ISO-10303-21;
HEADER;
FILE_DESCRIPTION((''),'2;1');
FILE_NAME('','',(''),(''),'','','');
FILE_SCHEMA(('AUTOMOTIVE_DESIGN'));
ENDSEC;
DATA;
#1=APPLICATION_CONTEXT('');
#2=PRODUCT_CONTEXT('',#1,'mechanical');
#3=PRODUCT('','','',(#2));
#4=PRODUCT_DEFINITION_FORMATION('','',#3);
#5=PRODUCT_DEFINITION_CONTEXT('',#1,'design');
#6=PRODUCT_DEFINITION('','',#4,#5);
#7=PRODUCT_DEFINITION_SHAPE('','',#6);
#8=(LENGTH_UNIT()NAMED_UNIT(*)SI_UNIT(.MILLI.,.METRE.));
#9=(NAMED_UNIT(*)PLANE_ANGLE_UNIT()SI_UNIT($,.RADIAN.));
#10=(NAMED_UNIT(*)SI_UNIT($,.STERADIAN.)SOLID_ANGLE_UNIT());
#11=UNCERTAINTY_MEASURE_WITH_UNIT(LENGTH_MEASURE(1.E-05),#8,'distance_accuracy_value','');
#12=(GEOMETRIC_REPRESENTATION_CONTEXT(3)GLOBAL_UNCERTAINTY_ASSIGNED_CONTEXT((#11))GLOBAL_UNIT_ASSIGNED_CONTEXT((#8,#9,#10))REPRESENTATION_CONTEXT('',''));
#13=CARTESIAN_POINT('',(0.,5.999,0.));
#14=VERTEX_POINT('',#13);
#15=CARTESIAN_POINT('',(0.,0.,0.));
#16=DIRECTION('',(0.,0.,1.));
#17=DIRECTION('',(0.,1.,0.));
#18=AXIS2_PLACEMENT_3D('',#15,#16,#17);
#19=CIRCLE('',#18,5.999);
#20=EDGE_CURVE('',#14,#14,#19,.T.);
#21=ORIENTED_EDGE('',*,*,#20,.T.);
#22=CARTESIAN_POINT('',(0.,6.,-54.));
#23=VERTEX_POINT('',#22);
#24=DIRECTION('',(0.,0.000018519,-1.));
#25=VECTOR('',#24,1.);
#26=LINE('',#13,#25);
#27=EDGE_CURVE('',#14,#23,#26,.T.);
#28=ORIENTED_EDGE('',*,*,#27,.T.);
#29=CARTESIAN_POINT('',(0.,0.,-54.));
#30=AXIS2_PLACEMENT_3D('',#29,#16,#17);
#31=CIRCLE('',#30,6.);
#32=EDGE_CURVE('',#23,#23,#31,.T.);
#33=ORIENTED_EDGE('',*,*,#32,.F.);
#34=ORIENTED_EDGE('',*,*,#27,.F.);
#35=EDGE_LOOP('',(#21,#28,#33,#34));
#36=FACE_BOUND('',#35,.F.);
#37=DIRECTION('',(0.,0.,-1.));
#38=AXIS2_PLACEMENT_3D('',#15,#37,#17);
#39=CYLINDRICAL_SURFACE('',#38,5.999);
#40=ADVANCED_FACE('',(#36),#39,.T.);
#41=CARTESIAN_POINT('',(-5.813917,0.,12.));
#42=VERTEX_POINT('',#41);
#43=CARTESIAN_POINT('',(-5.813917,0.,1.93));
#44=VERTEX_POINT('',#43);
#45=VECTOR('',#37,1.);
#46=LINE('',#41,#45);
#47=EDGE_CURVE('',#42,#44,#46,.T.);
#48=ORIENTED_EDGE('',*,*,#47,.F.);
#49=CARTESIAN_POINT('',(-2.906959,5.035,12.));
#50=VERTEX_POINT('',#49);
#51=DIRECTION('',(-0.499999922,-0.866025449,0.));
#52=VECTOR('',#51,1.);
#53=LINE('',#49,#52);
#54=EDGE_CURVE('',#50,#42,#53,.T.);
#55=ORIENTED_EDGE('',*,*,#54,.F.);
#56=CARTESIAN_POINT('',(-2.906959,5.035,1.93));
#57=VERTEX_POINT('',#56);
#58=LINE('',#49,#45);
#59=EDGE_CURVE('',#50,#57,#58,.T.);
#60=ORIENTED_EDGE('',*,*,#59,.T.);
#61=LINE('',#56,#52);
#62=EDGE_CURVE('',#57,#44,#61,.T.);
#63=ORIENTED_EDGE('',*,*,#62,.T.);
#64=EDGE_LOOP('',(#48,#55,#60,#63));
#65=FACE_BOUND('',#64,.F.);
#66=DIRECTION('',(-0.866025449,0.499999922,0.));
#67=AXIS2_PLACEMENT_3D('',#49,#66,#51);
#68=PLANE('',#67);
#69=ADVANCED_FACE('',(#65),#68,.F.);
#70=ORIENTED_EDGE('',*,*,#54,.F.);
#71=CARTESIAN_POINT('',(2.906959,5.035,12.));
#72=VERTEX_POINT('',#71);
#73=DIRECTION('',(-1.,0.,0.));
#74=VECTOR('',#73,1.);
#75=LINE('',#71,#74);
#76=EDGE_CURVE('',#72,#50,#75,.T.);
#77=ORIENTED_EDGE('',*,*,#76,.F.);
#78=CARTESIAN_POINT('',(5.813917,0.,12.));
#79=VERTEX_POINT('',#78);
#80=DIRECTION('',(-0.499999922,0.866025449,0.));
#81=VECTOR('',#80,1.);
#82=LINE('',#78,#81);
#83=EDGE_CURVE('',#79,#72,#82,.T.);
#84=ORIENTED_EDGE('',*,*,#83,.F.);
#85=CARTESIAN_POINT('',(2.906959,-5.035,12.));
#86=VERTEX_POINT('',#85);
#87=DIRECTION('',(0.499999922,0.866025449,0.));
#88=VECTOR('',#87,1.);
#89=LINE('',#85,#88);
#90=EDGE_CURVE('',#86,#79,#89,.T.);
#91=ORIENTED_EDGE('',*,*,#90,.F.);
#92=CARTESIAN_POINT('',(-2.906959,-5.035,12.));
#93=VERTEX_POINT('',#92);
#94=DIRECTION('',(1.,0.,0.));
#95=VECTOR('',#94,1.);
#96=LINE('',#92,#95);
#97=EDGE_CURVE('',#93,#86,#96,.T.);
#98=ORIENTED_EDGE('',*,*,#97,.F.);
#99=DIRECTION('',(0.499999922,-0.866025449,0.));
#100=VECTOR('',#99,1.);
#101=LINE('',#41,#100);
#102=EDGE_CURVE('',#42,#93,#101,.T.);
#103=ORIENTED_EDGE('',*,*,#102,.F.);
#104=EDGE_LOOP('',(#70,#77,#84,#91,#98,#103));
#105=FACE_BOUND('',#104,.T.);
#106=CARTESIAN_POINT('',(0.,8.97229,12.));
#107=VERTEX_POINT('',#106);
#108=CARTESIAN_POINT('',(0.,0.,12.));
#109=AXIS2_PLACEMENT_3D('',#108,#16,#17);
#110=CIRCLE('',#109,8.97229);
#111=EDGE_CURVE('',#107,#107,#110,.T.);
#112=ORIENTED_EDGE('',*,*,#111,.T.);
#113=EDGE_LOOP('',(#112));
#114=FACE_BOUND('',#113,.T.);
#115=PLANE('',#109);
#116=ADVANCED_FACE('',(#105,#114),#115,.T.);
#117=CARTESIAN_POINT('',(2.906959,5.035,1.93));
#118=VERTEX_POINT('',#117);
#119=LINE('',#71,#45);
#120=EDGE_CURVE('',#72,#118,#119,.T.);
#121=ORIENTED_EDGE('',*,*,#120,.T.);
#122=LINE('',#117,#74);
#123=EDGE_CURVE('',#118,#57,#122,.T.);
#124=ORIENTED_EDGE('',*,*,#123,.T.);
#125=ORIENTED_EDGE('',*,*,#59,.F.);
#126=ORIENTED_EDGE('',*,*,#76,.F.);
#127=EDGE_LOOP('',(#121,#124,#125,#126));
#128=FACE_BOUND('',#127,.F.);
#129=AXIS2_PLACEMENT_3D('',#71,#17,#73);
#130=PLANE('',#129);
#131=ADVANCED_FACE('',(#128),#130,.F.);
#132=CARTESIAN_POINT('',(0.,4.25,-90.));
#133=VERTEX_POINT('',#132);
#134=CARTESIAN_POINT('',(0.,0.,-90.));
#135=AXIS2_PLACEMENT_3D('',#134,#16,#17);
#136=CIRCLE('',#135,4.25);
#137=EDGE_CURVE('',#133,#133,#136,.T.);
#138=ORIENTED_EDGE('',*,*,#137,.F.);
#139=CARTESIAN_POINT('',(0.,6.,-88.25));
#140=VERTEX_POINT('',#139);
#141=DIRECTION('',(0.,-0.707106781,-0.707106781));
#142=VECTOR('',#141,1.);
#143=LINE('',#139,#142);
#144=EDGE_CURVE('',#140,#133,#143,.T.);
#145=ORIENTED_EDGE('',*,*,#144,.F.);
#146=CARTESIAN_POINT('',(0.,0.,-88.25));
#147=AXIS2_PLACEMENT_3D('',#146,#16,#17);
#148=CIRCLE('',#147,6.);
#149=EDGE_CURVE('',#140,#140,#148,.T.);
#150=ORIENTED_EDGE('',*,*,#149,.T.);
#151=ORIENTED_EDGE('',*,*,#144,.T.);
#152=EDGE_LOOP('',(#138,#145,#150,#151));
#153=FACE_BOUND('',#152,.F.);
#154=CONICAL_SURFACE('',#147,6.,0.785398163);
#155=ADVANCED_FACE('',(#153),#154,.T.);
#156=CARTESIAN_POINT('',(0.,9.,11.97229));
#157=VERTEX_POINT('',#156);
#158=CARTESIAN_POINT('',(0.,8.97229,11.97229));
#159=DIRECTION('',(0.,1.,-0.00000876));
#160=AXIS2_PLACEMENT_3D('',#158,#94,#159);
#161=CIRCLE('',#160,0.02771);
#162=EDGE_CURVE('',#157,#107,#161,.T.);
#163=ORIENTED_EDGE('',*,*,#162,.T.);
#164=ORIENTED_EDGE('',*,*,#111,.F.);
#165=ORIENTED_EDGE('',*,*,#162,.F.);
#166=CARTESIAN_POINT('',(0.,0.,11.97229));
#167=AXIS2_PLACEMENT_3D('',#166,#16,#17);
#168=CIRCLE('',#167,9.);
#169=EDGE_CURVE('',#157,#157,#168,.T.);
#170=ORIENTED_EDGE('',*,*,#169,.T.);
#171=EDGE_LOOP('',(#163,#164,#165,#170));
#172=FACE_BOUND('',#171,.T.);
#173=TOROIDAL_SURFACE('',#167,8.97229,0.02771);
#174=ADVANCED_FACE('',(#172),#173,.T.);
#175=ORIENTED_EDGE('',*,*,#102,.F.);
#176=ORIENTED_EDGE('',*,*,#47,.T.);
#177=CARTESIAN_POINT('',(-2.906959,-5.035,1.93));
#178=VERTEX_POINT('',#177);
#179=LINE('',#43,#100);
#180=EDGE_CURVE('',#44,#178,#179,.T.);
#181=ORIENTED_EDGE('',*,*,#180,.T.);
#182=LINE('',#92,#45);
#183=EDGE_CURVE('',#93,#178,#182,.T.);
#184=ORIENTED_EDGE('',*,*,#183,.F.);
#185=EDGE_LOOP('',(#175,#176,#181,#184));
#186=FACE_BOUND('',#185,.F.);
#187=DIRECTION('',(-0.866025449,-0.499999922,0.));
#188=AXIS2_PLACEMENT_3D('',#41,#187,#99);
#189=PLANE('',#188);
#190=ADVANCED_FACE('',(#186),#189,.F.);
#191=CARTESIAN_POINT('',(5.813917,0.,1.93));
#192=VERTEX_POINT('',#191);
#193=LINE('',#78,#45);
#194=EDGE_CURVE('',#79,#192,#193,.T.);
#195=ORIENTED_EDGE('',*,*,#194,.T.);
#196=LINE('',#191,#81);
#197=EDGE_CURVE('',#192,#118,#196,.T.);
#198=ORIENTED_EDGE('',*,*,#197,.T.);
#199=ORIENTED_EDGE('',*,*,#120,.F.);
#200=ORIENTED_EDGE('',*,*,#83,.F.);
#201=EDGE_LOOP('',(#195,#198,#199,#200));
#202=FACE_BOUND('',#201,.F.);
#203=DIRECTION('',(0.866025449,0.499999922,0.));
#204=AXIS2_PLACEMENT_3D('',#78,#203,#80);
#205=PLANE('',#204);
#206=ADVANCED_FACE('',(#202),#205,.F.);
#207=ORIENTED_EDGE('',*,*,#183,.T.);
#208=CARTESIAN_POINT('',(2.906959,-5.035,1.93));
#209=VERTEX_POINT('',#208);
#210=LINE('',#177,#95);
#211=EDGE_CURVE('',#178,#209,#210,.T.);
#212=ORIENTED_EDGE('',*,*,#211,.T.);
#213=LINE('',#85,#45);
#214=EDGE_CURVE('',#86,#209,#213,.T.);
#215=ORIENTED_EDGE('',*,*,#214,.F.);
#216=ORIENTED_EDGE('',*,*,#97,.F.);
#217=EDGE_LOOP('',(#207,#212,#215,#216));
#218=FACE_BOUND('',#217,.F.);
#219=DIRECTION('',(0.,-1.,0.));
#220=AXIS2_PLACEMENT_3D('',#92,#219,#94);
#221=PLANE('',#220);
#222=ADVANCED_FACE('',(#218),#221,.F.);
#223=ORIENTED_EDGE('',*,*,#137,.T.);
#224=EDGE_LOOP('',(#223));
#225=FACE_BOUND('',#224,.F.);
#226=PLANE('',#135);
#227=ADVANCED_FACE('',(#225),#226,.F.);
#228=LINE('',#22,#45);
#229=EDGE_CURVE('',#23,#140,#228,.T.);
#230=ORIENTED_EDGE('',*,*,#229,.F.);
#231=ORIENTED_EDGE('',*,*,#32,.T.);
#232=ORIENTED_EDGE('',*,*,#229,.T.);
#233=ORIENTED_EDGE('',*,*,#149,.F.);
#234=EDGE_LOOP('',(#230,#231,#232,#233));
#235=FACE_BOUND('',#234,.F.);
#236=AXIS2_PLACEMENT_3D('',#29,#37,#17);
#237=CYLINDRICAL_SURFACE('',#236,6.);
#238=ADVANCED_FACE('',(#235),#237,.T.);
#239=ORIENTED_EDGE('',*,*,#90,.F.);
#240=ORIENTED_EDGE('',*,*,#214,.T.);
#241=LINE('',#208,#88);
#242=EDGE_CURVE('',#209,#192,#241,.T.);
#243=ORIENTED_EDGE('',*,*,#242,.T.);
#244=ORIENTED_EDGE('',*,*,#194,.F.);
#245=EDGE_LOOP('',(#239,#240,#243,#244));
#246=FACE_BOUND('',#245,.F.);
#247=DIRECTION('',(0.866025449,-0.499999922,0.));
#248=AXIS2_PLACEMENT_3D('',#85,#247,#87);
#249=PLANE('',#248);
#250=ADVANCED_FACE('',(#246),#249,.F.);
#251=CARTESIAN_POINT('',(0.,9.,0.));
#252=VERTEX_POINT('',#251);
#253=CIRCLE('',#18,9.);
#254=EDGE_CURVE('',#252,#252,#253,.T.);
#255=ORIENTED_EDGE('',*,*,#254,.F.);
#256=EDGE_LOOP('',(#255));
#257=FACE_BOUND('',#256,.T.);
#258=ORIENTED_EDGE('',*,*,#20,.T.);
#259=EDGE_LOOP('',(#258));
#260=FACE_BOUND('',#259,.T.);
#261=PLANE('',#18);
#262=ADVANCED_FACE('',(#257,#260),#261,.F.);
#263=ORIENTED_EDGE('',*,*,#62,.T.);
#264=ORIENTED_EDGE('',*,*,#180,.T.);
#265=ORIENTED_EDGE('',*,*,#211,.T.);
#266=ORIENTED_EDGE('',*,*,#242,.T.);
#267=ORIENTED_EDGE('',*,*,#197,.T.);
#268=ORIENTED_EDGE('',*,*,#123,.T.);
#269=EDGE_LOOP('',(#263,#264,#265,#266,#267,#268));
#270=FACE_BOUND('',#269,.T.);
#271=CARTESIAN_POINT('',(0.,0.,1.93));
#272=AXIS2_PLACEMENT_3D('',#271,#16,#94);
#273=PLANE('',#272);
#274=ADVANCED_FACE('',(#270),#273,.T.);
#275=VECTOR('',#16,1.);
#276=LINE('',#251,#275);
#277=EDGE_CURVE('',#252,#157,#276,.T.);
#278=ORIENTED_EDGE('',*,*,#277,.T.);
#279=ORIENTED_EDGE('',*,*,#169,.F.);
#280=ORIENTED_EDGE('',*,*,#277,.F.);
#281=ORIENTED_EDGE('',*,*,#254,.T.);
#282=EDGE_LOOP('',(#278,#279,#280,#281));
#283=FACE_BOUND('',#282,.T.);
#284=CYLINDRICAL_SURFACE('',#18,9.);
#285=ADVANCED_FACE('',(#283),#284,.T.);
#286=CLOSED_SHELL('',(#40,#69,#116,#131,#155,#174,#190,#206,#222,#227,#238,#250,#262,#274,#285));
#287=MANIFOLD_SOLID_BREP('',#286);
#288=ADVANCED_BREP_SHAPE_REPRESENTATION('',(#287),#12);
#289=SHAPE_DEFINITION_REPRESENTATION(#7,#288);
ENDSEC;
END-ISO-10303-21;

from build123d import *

# Parameters (mm, degrees)
POCKET_DEPTH = 10.07


with BuildPart() as part:
    # Sketch → Revolve (revolve)
    with BuildSketch(Plane.YZ):
        with BuildLine():
            Line((5.999, 0), (9, 0))
            Line((9, 0), (9, 11.97229))
            ThreePointArc((9, 11.97229), (8.991884, 11.991884), (8.97229, 12))
            Line((8.97229, 12), (0, 12))
            Line((0, -90), (0, 12))
            Line((4.25, -90), (0, -90))
            Line((6, -88.25), (4.25, -90))
            Line((6, -54), (6, -88.25))
            Line((5.999, 0), (6, -54))
        make_face()
    revolve(axis=Axis((0, 0, 0), (0, 0, 1)))

    # Sketch001 → Pocket (cut)
    with BuildSketch(Plane.XY.offset(12)):
        Polygon((5.813917, 0), (2.906959, 5.035), (-2.906959, 5.035), (-5.813917, 0), (-2.906959, -5.035), (2.906959, -5.035), align=None)
    extrude(amount=-POCKET_DEPTH, mode=Mode.SUBTRACT)


solid = part.part
